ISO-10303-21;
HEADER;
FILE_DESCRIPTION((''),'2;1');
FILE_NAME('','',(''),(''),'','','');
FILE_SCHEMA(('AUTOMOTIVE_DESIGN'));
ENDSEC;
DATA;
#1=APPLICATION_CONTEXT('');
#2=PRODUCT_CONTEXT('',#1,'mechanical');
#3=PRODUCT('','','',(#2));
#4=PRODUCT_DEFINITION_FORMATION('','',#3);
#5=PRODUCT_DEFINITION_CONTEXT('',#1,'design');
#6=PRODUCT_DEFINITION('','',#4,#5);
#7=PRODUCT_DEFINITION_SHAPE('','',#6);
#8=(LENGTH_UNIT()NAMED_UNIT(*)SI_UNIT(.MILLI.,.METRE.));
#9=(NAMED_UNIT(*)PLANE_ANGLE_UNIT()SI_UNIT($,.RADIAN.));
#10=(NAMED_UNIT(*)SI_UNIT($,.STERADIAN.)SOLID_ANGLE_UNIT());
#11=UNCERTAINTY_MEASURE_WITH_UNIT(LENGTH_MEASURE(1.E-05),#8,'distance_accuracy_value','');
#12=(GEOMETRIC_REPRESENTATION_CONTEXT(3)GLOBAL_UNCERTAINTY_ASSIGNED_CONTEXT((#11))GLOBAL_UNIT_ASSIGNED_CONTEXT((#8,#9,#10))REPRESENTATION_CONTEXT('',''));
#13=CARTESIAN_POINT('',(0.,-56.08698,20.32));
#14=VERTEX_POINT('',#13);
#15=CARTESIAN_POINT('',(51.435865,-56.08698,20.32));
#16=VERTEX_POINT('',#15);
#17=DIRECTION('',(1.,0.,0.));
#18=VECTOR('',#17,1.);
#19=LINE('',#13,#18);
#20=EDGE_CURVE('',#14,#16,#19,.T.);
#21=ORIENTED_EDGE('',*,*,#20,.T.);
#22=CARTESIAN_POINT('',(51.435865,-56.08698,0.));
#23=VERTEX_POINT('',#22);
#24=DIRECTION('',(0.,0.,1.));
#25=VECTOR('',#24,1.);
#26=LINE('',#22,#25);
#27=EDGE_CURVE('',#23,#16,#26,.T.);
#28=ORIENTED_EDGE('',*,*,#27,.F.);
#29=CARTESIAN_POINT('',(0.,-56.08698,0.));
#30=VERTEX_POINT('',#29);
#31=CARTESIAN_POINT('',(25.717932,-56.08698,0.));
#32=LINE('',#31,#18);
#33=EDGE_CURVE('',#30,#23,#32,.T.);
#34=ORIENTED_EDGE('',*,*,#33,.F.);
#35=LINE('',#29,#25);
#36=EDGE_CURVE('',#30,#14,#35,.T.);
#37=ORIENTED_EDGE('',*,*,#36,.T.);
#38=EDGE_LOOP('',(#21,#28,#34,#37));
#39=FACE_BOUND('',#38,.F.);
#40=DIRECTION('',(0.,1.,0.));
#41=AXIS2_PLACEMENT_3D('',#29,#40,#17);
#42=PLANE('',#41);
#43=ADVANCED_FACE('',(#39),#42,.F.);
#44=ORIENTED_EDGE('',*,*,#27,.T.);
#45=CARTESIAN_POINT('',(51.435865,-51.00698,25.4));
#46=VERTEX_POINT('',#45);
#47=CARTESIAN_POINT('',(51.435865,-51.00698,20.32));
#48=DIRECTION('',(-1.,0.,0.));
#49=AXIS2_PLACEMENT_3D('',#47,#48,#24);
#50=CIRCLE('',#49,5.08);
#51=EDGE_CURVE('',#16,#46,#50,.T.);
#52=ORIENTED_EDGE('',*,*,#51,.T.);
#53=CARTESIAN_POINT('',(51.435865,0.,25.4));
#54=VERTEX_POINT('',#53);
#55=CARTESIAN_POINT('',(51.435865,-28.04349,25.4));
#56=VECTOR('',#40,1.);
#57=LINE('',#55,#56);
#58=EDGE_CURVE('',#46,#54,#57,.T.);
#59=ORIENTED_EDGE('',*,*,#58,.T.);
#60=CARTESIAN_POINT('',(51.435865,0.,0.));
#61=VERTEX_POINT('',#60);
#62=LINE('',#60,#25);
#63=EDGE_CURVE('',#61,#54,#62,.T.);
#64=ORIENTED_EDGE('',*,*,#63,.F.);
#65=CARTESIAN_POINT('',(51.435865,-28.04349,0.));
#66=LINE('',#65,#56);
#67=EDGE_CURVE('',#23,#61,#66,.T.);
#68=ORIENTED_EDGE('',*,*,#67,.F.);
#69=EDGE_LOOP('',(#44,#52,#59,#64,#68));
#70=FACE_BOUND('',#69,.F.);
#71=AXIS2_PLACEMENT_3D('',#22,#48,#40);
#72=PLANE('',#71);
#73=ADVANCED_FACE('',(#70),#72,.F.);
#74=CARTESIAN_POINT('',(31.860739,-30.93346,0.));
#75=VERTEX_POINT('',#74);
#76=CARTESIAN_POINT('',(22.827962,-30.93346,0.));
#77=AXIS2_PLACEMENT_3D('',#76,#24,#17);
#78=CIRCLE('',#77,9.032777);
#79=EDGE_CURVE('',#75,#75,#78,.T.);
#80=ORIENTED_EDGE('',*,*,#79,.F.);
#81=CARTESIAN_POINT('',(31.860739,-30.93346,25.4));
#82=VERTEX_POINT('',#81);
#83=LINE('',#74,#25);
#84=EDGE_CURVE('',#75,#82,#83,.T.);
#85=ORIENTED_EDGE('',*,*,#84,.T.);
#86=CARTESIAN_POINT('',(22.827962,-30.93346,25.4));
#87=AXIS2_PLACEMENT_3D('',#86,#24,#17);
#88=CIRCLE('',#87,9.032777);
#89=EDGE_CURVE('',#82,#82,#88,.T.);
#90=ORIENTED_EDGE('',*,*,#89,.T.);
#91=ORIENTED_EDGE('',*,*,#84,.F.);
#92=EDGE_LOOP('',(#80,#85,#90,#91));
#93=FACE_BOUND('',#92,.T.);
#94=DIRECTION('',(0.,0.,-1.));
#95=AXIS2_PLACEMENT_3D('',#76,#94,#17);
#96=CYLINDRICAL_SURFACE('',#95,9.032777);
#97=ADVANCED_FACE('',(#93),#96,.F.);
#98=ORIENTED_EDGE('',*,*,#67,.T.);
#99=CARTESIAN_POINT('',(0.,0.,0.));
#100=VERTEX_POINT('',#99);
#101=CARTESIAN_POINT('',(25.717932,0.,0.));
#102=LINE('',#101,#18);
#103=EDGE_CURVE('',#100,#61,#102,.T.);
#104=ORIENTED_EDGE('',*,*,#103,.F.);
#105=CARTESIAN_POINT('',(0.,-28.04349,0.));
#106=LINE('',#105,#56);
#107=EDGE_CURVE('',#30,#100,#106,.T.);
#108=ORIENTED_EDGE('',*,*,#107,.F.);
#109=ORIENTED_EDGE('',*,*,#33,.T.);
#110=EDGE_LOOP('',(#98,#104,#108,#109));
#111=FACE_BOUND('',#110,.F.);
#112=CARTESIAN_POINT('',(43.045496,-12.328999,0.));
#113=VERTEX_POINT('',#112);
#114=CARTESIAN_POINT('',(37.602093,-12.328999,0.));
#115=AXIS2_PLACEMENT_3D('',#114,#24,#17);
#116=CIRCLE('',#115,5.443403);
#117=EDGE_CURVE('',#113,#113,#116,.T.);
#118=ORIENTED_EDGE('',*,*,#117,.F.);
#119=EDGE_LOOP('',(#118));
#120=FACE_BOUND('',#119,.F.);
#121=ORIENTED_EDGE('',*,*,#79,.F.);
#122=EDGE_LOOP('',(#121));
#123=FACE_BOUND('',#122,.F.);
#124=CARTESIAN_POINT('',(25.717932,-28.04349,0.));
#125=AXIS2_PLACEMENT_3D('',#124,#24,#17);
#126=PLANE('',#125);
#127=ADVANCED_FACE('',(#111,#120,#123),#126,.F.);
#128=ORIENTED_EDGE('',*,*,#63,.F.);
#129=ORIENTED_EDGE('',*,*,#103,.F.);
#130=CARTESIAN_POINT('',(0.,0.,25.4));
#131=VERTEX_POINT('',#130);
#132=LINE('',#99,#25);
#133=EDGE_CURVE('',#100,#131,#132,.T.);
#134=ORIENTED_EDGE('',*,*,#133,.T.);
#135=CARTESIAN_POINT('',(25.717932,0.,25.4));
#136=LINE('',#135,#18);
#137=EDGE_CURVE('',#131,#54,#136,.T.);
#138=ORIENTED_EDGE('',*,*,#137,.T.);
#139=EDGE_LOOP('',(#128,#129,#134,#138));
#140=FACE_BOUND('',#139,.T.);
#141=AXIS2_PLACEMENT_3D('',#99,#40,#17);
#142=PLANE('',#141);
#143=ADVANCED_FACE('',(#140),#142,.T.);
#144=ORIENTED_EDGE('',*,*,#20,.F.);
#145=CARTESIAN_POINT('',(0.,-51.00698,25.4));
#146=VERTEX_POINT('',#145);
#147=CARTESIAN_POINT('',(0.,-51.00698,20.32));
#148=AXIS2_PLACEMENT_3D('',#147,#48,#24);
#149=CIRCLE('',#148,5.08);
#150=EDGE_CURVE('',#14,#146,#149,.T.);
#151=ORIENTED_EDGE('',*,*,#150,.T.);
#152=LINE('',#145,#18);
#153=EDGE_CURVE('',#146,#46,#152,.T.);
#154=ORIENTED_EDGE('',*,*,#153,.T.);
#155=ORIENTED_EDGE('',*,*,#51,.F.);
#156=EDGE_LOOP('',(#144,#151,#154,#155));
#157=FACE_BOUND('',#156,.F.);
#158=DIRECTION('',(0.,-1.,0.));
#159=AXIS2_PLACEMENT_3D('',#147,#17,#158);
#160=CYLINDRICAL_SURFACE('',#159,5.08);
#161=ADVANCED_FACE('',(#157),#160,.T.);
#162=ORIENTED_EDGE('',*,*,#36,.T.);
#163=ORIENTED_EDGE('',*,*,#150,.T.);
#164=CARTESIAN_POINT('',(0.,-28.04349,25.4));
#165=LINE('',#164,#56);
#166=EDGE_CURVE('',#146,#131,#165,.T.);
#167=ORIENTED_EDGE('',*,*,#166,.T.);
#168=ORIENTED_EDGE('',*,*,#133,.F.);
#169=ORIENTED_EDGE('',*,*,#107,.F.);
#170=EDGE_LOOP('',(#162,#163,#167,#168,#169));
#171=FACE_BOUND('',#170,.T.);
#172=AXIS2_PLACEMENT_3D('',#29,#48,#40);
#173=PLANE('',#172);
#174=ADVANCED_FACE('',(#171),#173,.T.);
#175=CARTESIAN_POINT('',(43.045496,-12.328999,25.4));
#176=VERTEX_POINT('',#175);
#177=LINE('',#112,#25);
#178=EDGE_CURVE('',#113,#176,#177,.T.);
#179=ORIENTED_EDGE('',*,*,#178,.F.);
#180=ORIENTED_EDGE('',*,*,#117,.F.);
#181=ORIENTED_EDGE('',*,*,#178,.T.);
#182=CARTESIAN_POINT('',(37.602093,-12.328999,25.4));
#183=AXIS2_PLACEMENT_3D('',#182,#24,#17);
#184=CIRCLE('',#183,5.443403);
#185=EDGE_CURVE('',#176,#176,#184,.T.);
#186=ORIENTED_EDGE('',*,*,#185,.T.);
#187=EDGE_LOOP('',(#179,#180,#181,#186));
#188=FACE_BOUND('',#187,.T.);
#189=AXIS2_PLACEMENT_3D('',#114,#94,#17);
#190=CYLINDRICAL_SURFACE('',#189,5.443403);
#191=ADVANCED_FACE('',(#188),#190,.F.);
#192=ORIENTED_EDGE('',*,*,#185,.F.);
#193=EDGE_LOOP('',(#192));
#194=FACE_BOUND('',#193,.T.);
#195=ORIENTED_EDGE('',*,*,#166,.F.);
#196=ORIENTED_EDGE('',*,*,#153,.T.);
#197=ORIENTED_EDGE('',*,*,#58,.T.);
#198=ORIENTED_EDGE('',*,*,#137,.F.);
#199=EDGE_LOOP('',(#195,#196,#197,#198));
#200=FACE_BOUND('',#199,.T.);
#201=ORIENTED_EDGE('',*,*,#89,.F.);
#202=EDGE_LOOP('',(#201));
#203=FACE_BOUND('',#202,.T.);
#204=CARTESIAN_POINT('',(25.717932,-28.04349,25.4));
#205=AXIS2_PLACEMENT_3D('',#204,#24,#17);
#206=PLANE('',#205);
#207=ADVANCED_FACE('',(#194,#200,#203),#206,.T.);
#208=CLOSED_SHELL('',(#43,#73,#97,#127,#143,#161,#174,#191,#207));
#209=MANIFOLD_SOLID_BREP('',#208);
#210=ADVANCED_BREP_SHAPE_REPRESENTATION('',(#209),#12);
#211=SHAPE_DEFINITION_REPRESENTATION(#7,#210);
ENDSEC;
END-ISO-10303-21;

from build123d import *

# Parameters (mm, degrees)
F0_W     = 51.435865
F0_H     = 56.08698
F0_R     = 9.032777
F0_R_2   = 5.443403
F1_DEPTH = 25.4
F2_R     = 5.08


with BuildPart() as f1:
    # F0 (on Top) → F1 (new body)
    with BuildSketch(Plane.XY):
        with Locations((25.717932, -28.04349)):
            Rectangle(F0_W, F0_H)
        with Locations((22.827962, -30.93346)):
            Circle(F0_R, mode=Mode.SUBTRACT)
        with Locations((37.602093, -12.328999)):
            Circle(F0_R_2, mode=Mode.SUBTRACT)
    extrude(amount=F1_DEPTH)

    # F2
    f2_edges = [f1.edges().sort_by_distance(p)[0] for p in [
        (25.717933, -56.08698, 25.4),
    ]]
    fillet(f2_edges, radius=F2_R)


solid = f1.part
